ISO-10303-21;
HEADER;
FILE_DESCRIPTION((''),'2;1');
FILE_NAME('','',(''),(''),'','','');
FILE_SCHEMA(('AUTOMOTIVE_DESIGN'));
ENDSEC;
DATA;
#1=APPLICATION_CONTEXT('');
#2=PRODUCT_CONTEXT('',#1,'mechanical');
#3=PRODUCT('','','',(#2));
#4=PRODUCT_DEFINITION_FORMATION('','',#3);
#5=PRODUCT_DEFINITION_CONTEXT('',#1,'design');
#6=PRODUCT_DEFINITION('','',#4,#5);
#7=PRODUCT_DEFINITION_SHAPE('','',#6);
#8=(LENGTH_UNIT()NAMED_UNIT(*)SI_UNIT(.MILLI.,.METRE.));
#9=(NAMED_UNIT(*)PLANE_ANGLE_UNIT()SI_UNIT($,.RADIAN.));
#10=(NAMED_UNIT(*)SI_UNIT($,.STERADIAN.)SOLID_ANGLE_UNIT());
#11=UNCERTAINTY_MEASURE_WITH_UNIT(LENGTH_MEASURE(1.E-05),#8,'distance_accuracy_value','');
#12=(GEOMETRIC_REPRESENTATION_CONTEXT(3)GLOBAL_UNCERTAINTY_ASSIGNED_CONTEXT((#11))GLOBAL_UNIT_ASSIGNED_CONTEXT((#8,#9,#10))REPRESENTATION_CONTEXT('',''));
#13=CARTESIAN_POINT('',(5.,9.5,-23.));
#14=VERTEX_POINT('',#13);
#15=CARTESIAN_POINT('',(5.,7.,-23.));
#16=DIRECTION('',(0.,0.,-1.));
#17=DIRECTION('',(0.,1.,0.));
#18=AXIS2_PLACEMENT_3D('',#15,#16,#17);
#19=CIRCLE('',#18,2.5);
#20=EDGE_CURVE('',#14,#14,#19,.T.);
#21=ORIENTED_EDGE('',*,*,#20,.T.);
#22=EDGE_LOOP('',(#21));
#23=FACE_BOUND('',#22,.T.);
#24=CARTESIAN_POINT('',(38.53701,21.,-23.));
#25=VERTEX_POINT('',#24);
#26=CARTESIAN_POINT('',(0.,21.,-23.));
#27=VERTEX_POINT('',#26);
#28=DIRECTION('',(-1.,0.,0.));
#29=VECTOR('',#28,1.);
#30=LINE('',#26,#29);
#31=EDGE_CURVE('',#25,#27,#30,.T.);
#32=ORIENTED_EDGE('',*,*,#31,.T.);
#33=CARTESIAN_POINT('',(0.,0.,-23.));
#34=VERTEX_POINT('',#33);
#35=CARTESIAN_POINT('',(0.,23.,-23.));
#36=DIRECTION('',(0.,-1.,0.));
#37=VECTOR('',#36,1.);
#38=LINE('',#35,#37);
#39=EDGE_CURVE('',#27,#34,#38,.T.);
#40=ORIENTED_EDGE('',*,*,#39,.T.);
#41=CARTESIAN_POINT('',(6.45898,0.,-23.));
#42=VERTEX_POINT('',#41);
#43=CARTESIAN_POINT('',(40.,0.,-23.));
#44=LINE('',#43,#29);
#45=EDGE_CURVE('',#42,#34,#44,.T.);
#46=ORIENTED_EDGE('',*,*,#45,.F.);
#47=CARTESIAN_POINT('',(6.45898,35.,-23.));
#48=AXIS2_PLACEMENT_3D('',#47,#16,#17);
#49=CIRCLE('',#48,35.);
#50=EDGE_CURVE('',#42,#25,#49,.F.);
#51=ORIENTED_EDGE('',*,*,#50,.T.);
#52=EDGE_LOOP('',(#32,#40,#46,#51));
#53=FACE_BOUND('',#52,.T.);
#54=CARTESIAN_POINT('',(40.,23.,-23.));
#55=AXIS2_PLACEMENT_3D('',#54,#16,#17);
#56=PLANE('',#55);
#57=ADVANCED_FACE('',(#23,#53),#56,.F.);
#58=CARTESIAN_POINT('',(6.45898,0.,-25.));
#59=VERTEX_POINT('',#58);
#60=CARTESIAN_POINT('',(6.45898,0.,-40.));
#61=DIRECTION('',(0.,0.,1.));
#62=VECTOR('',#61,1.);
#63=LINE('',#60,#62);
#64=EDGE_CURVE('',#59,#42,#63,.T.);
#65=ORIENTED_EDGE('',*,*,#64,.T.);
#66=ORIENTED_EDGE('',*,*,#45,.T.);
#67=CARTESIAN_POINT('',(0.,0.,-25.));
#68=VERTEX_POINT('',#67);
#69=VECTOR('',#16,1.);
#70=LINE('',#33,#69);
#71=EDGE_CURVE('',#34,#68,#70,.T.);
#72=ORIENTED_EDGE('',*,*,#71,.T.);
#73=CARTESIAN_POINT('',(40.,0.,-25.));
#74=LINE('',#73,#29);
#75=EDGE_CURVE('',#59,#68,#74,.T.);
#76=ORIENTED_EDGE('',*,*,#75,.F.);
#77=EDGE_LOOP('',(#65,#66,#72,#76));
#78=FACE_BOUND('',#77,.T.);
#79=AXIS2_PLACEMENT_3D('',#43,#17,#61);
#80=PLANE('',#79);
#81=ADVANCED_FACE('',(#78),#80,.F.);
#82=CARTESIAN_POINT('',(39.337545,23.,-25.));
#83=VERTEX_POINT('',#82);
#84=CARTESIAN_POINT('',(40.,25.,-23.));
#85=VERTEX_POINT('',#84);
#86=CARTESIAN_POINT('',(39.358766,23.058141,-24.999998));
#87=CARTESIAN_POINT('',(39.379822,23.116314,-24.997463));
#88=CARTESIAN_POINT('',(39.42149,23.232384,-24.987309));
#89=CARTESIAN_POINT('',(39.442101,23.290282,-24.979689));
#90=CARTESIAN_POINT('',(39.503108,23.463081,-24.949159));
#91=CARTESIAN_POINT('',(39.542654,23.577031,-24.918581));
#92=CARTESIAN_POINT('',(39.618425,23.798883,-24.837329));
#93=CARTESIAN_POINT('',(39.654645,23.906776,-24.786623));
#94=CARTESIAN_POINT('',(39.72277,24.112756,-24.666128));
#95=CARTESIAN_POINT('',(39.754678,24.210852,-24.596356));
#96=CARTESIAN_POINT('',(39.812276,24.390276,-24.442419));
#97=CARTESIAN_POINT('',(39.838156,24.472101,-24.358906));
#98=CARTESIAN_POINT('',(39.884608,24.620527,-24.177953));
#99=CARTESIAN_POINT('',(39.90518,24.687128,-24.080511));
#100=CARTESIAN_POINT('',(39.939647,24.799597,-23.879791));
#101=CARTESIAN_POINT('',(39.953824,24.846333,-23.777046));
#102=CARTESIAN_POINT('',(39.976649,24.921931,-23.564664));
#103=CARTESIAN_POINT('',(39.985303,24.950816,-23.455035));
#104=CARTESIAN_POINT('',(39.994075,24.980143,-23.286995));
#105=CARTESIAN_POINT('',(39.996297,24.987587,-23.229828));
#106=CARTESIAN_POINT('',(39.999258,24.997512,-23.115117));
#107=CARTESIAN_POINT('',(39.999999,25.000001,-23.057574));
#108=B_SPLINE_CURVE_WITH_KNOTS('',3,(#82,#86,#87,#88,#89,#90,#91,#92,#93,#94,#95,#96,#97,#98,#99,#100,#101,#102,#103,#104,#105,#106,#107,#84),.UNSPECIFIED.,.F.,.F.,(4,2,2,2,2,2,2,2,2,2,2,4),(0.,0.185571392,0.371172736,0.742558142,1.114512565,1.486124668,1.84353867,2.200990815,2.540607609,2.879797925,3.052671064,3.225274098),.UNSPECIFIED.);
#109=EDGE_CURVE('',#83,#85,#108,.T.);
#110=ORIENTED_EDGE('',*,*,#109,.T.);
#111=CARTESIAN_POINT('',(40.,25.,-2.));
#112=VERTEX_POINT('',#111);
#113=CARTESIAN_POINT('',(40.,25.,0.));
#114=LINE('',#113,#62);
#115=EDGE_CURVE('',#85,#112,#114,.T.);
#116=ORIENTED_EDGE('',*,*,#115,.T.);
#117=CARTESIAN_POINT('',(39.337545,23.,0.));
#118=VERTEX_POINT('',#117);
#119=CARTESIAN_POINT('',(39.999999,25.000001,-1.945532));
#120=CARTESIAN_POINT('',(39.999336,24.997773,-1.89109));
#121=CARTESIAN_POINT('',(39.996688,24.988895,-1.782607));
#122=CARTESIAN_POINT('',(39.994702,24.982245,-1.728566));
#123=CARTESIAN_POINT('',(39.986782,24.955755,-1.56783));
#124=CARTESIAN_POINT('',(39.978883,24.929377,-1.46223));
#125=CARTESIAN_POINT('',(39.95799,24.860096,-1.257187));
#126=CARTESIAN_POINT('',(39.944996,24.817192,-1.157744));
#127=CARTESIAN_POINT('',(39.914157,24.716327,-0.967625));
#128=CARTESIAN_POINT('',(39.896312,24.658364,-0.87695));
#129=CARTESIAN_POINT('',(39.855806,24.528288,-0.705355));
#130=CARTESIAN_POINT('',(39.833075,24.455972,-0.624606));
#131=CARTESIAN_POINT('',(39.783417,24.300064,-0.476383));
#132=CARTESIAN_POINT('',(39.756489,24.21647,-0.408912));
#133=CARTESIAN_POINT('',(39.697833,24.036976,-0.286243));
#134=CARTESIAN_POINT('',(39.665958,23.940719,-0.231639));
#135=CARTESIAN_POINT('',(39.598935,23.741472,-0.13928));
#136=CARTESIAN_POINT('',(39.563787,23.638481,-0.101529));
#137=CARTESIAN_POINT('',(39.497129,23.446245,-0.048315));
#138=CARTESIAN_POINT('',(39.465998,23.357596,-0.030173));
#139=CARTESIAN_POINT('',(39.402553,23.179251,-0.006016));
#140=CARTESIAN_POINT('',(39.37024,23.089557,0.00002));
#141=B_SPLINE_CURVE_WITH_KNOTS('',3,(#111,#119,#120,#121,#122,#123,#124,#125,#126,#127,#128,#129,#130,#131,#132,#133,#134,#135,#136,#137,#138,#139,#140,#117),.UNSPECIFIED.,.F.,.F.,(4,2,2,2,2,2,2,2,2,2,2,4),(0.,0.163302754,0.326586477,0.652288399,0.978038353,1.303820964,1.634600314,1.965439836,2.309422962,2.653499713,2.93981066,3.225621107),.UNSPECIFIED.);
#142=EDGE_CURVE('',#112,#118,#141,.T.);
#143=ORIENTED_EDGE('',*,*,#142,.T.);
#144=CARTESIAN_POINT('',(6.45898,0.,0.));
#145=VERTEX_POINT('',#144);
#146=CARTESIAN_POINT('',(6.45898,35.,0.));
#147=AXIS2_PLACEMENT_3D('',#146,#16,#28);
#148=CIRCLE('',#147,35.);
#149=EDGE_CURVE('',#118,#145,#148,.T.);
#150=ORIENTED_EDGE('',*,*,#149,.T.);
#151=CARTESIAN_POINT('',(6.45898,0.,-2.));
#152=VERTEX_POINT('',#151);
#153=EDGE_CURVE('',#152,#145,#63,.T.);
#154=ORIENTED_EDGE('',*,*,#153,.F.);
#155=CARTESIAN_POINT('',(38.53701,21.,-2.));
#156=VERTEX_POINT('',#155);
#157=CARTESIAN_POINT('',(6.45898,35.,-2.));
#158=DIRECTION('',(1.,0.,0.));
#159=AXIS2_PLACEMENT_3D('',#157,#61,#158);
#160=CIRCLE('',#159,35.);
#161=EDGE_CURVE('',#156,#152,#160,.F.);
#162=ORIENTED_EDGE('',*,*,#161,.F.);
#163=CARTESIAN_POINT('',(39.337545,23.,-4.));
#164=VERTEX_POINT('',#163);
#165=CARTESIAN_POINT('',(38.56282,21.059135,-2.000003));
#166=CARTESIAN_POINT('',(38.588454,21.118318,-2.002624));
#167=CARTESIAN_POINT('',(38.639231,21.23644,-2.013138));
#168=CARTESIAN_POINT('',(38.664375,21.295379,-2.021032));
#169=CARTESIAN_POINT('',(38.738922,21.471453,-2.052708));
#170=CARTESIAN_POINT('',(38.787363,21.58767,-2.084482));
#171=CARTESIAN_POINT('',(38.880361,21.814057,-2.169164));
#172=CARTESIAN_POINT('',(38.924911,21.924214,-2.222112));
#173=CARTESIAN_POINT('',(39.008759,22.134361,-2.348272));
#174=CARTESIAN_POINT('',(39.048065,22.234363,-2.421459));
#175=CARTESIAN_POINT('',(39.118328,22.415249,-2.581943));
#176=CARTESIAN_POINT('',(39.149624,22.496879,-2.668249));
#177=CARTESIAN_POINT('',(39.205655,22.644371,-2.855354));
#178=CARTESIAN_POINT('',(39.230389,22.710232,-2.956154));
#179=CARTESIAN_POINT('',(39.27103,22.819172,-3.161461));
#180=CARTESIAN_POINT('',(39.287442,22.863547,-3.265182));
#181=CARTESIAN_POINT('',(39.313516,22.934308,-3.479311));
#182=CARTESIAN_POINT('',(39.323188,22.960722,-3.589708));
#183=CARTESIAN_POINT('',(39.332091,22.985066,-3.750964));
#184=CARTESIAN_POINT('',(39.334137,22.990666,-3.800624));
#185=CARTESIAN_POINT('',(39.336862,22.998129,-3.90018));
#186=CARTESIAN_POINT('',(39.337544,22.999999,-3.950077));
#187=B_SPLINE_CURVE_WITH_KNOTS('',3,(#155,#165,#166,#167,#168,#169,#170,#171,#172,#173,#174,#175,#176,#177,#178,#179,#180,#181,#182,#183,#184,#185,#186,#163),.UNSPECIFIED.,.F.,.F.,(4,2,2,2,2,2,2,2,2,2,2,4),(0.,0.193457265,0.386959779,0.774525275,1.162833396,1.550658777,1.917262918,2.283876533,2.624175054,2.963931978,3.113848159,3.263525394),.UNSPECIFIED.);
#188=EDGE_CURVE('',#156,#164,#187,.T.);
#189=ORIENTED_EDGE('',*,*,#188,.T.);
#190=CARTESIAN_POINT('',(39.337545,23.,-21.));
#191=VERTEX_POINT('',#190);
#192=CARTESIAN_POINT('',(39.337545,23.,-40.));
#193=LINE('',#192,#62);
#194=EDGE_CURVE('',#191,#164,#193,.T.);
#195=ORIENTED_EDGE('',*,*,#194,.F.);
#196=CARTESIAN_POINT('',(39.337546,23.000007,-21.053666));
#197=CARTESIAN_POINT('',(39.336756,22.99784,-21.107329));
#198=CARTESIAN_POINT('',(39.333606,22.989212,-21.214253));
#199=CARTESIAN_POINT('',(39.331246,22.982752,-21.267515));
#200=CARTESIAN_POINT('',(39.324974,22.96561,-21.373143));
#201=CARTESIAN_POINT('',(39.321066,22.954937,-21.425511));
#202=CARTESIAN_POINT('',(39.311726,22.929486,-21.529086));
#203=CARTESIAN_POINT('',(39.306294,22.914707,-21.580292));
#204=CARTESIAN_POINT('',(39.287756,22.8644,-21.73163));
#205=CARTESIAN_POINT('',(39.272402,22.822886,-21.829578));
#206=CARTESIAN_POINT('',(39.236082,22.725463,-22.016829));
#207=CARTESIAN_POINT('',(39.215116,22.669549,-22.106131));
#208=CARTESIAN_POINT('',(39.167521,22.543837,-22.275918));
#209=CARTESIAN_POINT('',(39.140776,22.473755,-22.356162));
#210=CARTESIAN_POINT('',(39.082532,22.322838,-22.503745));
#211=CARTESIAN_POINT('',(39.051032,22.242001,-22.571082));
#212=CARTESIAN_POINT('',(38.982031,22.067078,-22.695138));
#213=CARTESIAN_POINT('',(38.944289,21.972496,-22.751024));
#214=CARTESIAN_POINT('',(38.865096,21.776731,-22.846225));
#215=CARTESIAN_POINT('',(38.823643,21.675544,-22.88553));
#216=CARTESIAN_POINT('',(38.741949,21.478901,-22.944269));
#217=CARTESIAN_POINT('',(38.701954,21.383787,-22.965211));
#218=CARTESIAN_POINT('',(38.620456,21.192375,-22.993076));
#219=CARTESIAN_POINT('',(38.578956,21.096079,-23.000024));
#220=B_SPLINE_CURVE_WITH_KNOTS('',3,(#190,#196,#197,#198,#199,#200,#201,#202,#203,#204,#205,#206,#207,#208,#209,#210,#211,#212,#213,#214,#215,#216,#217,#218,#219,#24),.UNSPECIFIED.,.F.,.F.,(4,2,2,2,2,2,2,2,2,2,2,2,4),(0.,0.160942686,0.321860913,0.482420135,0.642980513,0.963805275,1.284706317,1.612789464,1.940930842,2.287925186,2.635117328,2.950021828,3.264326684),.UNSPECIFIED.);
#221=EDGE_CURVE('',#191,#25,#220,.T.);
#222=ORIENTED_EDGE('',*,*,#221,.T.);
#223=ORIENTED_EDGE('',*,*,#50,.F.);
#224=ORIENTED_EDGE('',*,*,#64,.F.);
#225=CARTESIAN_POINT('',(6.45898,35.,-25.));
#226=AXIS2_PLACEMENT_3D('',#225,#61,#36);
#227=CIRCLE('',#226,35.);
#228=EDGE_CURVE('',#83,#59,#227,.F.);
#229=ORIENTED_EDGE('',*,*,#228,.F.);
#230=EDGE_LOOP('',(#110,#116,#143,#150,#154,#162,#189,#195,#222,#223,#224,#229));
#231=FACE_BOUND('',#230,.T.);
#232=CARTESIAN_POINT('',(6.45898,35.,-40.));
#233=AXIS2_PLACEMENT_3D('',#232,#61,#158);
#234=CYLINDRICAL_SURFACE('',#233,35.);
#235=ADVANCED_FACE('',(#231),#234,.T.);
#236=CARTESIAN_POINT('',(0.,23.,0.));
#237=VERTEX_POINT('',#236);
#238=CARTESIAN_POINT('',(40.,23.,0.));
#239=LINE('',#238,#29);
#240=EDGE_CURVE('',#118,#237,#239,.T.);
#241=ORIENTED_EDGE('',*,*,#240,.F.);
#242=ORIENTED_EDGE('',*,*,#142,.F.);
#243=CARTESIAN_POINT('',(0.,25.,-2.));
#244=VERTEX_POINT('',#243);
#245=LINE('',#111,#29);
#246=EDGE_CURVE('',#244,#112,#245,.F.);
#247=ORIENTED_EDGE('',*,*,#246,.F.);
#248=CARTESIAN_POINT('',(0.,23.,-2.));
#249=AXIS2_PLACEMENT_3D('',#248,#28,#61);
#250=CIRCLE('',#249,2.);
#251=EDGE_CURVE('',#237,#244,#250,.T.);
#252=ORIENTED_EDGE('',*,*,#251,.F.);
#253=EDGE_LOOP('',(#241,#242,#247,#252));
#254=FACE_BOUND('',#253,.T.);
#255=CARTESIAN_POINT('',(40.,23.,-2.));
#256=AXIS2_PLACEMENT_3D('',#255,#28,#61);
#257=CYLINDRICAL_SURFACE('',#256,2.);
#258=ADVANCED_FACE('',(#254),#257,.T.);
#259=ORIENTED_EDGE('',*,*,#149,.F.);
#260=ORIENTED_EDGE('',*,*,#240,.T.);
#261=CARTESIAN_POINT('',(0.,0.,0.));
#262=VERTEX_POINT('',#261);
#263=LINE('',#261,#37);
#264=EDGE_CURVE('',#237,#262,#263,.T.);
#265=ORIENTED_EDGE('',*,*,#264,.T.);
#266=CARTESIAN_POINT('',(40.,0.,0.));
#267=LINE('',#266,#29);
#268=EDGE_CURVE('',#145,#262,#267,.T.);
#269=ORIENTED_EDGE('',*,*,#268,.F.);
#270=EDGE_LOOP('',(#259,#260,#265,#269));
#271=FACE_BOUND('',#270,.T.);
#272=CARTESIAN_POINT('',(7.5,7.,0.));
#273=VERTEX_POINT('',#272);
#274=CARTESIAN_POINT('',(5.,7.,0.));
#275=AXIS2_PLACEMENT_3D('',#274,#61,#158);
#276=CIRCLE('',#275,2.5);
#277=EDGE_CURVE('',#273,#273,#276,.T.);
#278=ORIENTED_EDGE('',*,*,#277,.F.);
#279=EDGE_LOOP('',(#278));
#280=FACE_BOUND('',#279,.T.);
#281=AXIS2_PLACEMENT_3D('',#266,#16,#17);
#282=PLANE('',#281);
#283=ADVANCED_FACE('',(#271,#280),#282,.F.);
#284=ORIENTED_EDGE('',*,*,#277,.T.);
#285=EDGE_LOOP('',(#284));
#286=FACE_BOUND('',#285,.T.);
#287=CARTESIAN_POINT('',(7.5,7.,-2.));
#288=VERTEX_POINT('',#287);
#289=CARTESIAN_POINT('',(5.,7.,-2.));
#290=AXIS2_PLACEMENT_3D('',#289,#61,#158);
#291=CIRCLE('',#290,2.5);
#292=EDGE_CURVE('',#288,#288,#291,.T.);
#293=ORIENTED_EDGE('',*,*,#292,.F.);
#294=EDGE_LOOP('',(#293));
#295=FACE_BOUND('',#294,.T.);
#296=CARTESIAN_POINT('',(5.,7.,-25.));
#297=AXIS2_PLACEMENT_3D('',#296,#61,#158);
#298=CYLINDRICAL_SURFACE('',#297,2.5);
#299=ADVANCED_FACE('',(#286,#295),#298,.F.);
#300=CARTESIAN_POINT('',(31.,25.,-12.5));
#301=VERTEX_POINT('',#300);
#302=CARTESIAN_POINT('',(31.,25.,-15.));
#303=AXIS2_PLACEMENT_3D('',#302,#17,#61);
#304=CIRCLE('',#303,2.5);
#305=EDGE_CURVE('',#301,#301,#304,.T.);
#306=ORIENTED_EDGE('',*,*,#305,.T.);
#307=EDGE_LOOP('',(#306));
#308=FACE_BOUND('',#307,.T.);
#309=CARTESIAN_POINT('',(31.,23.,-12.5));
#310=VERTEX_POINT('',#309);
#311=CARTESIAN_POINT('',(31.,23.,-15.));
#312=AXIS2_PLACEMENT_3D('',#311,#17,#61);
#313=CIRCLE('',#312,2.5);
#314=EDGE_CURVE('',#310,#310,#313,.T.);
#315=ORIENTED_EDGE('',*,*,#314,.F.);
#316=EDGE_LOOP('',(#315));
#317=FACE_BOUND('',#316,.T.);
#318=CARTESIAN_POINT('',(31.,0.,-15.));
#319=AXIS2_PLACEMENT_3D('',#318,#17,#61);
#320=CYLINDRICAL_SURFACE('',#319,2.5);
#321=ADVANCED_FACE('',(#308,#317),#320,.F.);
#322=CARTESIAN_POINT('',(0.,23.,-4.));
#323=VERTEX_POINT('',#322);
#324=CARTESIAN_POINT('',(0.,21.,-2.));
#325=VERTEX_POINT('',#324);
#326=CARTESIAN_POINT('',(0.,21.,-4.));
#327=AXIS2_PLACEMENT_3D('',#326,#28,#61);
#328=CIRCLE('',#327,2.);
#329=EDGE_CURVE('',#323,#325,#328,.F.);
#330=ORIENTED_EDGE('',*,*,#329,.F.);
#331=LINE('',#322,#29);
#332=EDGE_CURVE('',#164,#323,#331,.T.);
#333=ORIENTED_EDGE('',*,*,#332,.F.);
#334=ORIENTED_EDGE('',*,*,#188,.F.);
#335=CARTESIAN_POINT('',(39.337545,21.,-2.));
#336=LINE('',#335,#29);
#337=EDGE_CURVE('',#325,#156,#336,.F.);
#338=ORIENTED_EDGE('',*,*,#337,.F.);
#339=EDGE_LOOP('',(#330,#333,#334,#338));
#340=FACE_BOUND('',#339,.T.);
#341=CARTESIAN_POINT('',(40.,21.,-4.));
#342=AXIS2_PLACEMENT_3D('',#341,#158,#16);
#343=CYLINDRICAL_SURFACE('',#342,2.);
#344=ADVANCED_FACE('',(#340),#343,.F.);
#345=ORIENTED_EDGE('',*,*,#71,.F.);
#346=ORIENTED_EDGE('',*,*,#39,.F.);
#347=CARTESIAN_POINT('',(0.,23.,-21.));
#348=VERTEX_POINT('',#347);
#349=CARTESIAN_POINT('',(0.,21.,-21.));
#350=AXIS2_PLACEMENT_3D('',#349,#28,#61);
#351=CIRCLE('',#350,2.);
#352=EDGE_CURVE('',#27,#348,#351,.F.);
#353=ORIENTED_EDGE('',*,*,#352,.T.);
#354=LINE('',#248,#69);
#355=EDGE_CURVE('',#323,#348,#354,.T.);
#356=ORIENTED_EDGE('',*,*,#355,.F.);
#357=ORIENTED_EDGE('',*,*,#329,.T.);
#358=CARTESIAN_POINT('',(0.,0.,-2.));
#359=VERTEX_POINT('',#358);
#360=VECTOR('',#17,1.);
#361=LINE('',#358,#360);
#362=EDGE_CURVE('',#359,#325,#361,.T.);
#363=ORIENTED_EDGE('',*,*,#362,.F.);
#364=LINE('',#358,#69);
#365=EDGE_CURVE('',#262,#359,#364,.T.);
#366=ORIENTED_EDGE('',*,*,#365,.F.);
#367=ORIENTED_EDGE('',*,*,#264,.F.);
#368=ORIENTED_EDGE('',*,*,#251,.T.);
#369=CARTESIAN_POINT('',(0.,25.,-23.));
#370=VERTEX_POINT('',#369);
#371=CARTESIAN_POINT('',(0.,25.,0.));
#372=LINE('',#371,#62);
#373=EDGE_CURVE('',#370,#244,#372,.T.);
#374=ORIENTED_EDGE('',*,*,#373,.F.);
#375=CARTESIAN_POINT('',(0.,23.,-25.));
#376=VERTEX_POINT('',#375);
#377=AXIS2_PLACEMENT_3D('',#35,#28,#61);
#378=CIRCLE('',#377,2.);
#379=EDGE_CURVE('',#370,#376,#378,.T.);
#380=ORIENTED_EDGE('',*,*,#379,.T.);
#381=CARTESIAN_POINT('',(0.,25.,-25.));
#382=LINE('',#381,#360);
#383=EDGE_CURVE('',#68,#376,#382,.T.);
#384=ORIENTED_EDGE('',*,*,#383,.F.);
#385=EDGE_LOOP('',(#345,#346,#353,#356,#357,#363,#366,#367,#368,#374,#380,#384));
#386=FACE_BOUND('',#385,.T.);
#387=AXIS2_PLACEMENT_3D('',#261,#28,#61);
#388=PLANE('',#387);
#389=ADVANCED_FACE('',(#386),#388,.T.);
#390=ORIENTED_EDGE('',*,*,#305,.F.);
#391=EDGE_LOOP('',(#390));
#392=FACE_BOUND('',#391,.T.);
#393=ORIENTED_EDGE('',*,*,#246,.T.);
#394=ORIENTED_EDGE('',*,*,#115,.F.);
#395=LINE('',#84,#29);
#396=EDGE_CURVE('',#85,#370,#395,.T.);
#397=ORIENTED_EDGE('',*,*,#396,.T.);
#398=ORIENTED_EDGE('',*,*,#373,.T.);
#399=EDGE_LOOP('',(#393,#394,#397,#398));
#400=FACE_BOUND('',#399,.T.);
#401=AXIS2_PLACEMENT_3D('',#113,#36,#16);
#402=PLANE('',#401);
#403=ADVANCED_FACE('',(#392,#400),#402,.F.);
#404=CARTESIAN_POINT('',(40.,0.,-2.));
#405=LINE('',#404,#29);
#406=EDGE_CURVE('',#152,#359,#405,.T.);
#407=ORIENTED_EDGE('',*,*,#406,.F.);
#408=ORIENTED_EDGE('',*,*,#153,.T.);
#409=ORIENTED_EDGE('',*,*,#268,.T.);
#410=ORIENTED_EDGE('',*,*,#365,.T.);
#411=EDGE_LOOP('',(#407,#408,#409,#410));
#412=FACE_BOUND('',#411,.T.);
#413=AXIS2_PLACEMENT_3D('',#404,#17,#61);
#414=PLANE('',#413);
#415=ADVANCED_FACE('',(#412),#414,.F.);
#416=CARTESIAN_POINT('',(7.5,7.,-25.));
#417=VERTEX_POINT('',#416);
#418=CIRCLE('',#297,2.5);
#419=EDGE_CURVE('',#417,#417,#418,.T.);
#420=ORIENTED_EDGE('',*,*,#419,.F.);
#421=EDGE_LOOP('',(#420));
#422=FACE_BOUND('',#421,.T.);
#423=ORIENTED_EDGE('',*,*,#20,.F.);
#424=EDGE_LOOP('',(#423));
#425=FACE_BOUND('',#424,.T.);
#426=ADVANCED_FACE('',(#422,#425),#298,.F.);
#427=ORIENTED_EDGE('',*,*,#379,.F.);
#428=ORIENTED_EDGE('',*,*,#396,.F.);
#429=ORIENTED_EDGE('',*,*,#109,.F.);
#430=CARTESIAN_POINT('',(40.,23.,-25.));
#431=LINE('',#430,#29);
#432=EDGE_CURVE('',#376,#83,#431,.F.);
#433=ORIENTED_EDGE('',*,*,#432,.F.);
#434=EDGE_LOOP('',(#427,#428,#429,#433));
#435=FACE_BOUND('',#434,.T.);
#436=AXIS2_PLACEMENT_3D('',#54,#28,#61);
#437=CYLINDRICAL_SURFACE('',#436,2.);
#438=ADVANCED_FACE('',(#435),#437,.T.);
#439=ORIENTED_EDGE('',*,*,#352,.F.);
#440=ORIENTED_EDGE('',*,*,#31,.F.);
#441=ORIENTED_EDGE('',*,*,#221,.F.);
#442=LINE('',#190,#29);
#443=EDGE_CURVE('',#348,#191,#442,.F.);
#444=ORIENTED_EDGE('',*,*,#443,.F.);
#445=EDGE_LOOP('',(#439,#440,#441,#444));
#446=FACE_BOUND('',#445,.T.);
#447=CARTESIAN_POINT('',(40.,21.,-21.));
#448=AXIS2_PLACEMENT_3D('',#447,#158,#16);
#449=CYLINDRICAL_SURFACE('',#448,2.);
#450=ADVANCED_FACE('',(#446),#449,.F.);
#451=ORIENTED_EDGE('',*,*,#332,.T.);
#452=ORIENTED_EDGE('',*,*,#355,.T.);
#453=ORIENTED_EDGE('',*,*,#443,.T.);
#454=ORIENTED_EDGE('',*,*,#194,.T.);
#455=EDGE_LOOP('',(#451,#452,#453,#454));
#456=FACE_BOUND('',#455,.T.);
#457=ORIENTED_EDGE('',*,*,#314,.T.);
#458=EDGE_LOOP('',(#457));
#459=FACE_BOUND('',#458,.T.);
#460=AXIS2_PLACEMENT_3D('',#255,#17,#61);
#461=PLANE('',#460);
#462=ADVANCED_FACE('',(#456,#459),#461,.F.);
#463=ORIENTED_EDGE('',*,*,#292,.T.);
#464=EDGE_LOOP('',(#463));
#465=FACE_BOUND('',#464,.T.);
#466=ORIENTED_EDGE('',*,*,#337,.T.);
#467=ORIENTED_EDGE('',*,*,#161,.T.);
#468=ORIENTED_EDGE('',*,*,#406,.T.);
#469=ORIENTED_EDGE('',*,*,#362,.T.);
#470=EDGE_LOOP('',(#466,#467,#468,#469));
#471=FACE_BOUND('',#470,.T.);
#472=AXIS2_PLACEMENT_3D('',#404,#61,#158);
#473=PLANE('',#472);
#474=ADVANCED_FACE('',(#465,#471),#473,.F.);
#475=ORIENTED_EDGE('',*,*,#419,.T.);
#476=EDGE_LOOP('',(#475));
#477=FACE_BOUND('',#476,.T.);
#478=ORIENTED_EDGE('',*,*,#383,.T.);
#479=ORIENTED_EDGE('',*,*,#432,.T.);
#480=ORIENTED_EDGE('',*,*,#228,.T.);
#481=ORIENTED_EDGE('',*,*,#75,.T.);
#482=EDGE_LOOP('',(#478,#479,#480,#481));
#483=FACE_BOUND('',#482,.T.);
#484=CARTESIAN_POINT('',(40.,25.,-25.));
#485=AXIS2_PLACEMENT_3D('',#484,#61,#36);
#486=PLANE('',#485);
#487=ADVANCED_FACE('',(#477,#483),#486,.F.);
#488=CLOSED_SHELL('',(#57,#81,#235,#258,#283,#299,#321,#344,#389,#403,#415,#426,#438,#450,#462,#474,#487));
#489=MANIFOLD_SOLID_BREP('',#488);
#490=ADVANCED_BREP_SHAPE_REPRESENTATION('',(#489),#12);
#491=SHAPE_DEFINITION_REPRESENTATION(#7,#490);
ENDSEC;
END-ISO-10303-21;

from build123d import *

# Parameters (mm, degrees)
EXTRUDE_1_DEPTH     = 40
CUT_EXTRUDE_1_DEPTH = 40
SKETCH_4_R          = 2.5
CUT_EXTRUDE_2_DEPTH = 54.38539126
SKETCH_5_R          = 2.5
CUT_EXTRUDE_3_DEPTH = 54.38539126
FILLET_1_R          = 2


with BuildPart() as part:
    # 草图1 → 凸台-拉伸1 (new body)
    with BuildSketch(Plane(origin=(0, 0, 0), x_dir=(0, 0, -1), z_dir=(1, 0, 0))):
        Polygon((0, 0), (0, 25), (25, 25), (25, 0), (23, 0), (23, 23), (2, 23), (2, 0), align=None)
    extrude(amount=EXTRUDE_1_DEPTH)

    # 草图3 → 切除-拉伸1 (cut)
    with BuildSketch(Plane.XY):
        with BuildLine():
            Line((40, 25), (40, 0))
            Line((40, 0), (6.458980338, 0))
            ThreePointArc((6.458980338, 0), (27.375481001, 6.937569599), (40, 25))
        make_face()
    extrude(amount=-CUT_EXTRUDE_1_DEPTH, mode=Mode.SUBTRACT)

    # 草图4 → 切除-拉伸2 (cut, through all)
    with BuildSketch(Plane(origin=(0, 25, 0), x_dir=(1, 0, 0), z_dir=(0, 1, 0))):
        with Locations(Location((31, 15, 0), (0, 0, 270))):
            Circle(SKETCH_4_R)
    extrude(amount=-CUT_EXTRUDE_2_DEPTH, mode=Mode.SUBTRACT)

    # 草图5 → 切除-拉伸3 (cut, through all)
    with BuildSketch(Plane.XY):
        with Locations((5, 7)):
            Circle(SKETCH_5_R)
    extrude(amount=-CUT_EXTRUDE_3_DEPTH, mode=Mode.SUBTRACT)

    # 圆角1
    fillet_1_edges = [part.edges().sort_by_distance(p)[0] for p in [
        (20, 25, 0),
        (20, 25, -25),
        (19.668772392, 23, -23),
        (19.668772392, 23, -2),
    ]]
    fillet(fillet_1_edges, radius=FILLET_1_R)


solid = part.part
